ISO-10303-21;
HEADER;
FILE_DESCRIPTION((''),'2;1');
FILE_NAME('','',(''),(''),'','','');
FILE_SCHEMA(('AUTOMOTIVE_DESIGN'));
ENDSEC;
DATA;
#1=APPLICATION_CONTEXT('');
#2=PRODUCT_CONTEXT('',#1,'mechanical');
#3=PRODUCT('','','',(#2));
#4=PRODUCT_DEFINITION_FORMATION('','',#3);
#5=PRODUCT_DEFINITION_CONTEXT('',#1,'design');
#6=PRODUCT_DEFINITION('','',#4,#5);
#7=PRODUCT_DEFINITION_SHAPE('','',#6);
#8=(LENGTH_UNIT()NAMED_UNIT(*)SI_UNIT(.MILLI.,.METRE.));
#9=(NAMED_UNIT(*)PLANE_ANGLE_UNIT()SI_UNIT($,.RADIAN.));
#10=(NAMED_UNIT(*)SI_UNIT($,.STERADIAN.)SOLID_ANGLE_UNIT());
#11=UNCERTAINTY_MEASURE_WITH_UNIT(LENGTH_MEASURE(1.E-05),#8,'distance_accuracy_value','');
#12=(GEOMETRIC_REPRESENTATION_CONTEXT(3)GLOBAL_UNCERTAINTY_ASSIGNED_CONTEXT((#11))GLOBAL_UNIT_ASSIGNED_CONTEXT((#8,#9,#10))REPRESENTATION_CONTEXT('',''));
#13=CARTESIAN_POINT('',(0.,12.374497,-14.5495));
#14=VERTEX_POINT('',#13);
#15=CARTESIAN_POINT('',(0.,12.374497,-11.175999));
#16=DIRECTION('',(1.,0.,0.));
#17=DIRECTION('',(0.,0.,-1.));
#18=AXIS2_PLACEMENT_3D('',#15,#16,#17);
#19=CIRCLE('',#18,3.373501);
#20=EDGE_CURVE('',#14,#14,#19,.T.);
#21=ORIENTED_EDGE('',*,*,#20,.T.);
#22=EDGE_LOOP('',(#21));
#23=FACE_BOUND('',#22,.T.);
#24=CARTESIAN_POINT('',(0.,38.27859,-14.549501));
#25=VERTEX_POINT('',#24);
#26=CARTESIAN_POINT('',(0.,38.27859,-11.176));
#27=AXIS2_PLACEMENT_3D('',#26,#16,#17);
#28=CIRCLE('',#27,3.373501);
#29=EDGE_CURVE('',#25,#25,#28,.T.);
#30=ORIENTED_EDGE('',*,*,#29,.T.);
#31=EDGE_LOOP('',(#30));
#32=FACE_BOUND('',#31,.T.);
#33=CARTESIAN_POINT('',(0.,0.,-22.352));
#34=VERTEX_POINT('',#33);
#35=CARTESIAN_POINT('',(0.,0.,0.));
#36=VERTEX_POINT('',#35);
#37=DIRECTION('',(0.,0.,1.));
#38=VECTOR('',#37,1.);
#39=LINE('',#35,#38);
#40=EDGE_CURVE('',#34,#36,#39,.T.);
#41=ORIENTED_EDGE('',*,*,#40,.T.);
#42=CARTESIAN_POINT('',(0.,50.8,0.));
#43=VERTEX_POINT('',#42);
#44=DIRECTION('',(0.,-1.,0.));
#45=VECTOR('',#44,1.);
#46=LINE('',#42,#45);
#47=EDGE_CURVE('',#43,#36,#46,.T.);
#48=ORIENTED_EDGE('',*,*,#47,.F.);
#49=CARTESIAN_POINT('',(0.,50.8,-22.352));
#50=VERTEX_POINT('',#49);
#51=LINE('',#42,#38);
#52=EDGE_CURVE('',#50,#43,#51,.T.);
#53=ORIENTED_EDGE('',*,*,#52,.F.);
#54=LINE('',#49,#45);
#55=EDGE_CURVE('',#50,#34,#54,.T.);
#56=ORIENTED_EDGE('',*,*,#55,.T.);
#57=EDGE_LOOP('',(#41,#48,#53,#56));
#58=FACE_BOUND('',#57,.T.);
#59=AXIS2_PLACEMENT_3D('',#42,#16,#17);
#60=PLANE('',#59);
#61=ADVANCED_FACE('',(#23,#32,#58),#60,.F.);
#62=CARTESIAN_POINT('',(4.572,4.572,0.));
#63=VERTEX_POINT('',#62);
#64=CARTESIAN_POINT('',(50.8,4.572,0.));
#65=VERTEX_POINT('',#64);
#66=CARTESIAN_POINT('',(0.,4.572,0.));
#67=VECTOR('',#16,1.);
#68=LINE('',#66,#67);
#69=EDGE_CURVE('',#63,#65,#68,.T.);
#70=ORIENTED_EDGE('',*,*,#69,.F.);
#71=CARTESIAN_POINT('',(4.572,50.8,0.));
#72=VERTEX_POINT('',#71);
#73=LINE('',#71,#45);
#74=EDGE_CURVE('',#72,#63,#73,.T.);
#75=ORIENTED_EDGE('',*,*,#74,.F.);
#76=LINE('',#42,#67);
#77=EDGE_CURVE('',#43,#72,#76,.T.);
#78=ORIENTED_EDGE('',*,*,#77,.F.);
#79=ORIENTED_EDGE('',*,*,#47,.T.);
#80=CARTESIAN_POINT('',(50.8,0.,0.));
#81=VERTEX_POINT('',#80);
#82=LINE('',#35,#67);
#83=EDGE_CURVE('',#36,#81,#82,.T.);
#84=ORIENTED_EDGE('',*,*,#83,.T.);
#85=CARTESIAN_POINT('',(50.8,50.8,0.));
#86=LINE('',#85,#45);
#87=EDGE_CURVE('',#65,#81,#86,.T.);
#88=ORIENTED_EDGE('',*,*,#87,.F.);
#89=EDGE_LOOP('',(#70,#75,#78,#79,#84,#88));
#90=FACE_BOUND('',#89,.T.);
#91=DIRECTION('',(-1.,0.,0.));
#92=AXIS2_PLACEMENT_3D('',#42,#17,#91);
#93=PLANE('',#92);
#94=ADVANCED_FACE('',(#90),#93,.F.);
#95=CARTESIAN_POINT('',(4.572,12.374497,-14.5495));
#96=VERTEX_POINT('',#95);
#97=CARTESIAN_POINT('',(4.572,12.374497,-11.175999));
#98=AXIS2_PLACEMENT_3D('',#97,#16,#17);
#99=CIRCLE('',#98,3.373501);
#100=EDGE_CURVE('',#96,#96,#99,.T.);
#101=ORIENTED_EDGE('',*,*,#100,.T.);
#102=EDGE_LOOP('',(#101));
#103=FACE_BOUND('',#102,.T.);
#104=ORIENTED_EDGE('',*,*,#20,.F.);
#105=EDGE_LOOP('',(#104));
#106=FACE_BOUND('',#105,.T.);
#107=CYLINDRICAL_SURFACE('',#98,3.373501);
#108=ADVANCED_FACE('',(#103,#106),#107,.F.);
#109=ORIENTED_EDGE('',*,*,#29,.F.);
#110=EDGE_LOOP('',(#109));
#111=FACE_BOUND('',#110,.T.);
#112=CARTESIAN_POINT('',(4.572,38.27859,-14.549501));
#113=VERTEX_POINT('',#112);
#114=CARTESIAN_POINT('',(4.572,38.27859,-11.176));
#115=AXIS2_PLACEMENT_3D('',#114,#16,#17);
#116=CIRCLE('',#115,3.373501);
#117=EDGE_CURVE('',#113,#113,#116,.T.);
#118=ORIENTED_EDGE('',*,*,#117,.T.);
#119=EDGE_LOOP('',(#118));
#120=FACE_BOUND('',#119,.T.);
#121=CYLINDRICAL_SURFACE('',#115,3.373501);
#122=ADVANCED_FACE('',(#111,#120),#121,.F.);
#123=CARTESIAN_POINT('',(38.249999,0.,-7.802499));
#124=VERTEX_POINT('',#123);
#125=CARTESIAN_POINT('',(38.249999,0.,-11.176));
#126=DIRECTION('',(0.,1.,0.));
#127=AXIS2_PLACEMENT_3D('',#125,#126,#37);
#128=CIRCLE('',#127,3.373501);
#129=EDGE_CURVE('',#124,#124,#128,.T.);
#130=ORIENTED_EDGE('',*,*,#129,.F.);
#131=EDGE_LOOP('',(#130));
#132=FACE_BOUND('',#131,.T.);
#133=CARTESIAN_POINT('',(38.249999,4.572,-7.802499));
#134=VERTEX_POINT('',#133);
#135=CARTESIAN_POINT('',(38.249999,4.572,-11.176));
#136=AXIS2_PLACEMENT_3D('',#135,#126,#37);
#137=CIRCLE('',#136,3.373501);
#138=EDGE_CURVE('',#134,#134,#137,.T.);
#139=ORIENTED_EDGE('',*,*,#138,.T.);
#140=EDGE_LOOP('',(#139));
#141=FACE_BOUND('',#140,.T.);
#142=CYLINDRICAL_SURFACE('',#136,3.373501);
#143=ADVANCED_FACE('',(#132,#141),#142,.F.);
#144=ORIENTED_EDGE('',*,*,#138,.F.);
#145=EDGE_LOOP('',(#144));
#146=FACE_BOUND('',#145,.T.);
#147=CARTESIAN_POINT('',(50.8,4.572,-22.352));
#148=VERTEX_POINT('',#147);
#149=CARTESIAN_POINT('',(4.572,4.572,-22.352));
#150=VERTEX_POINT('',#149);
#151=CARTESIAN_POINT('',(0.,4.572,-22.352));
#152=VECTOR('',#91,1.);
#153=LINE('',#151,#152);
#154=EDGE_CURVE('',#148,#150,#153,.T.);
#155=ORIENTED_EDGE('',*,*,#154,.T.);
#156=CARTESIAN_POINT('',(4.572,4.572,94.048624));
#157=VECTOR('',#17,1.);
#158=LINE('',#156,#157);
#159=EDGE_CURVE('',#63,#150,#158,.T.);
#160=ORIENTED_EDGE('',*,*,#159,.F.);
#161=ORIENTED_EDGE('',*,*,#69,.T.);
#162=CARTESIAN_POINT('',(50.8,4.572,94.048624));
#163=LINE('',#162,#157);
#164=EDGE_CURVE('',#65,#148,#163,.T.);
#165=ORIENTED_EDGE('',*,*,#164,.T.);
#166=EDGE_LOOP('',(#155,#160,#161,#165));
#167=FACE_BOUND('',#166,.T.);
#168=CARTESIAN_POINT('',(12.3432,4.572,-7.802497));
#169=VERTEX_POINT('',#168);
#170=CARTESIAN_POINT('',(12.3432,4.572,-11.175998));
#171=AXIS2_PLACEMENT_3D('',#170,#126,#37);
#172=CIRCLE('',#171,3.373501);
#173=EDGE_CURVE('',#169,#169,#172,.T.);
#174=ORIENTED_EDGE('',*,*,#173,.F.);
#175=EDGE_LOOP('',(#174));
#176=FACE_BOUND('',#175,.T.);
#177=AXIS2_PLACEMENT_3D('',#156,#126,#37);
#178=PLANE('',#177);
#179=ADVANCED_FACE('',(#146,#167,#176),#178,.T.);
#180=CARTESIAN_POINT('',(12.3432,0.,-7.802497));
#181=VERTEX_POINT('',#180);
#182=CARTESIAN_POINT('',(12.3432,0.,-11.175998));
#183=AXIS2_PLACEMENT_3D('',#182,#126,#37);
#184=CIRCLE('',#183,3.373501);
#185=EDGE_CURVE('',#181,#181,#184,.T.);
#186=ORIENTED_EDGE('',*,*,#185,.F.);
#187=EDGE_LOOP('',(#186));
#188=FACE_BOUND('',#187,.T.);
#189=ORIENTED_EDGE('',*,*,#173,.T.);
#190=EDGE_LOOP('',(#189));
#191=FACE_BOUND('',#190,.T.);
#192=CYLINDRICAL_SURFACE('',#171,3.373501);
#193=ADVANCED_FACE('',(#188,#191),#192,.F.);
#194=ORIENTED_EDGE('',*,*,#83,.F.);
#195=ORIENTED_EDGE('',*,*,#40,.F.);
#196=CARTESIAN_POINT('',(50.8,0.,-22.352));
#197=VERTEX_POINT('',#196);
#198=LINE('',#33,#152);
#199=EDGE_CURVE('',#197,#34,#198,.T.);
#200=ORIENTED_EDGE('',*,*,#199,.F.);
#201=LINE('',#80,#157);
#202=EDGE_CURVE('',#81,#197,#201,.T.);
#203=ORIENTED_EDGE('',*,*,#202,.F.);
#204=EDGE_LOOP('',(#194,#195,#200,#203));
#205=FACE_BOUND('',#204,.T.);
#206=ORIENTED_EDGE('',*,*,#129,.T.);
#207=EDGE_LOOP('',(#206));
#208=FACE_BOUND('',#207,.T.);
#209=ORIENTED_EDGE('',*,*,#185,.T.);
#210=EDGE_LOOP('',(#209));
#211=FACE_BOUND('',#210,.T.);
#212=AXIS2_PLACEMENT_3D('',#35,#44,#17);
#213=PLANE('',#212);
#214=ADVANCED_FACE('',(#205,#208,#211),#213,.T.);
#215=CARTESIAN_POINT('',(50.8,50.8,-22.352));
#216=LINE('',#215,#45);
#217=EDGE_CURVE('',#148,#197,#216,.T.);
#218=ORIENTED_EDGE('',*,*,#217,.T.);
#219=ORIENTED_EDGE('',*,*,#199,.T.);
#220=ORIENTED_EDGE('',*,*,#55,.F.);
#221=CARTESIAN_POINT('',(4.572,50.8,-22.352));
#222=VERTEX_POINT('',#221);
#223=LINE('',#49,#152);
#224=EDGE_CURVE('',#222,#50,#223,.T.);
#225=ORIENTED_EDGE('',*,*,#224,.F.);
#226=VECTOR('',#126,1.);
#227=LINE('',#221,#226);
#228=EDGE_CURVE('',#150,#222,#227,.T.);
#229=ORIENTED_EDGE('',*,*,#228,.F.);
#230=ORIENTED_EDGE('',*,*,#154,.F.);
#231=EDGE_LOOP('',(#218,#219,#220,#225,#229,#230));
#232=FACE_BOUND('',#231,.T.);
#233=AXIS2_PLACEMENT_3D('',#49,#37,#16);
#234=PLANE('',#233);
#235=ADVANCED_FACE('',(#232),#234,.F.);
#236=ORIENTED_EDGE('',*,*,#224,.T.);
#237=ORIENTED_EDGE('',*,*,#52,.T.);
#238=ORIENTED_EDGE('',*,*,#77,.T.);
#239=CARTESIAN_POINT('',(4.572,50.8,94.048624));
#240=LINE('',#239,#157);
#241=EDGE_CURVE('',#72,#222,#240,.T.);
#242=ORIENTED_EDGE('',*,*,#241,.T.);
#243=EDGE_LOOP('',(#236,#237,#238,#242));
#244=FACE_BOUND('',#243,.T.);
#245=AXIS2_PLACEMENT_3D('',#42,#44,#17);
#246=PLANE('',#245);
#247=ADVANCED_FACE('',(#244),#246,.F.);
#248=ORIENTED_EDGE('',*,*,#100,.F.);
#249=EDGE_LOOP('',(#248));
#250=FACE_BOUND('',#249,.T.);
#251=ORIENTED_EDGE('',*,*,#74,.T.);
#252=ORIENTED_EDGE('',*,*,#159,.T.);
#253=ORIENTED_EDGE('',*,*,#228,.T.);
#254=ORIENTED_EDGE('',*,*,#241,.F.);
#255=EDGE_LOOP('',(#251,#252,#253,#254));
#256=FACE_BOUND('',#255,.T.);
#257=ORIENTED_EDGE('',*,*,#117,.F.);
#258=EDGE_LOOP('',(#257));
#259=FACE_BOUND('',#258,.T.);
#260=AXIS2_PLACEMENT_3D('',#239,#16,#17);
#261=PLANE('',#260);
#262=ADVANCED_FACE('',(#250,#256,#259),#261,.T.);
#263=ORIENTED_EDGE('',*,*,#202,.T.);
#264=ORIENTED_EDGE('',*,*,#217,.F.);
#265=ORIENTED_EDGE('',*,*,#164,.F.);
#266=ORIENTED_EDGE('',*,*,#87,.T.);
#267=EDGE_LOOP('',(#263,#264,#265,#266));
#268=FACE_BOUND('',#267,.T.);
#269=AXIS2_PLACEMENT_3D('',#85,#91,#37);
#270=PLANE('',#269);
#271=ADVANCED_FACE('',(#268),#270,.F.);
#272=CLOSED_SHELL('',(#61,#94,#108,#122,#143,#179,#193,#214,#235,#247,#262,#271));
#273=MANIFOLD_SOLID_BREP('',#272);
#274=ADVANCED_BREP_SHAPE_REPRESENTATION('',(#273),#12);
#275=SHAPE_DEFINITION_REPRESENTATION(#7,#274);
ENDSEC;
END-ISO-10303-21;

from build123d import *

# Parameters (mm, degrees)
SKETCH1_W                                  = 50.8
SKETCH1_H                                  = 22.352
BOSS_EXTRUDE1_DEPTH                        = 50.8
CUT_EXTRUDE2_DEPTH                         = 76.238898876
CUT_EXTRUDE2_DEPTH_BACK                    = 76.238898876
F_17_64_0_26563_DIAMETER_HOLE1_D           = 6.747002
F_17_64_0_26563_DIAMETER_HOLE1_ON_FACE_2_D = 6.747002


with BuildPart() as part:
    # Sketch1 → Boss-Extrude1 (new body)
    with BuildSketch(Plane(origin=(0, 0, 0), x_dir=(1, 0, 0), z_dir=(0, 1, 0))):
        with Locations((25.4, 11.176)):
            Rectangle(SKETCH1_W, SKETCH1_H)
    extrude(amount=BOSS_EXTRUDE1_DEPTH)

    # Sketch2 → Cut-Extrude2 (cut, two sides: drawn at the far end of the back side and taken through both)
    with BuildSketch(Plane.XY.offset(-CUT_EXTRUDE2_DEPTH_BACK)):
        Polygon((4.572, 198.1705643), (4.572, 50.8), (4.572, 4.572), (50.8, 4.572), (198.1705643, 4.572), (406.584015027, 212.985450727), (212.985450727, 406.584015027), align=None)
    extrude(amount=CUT_EXTRUDE2_DEPTH + CUT_EXTRUDE2_DEPTH_BACK, mode=Mode.SUBTRACT)

    # 17/64 (0.26563) Diameter Hole1 (through all)
    with Locations(Plane(origin=(4.572, 12.374496691, -11.175999046), x_dir=(0, 0, 1), z_dir=(1, 0, 0))):
        with Locations((0, 0), (-9.54e-07, -25.904093129)):
            Hole(F_17_64_0_26563_DIAMETER_HOLE1_D / 2)

    # 17/64 (0.26563) Diameter Hole1 on face 2 (through all)
    with Locations(Plane(origin=(12.343199837, 4.572, -11.175998262), x_dir=(0, 0, 1), z_dir=(0, 1, 0))):
        with Locations((0, 0), (-1.738e-06, 25.906798937)):
            Hole(F_17_64_0_26563_DIAMETER_HOLE1_ON_FACE_2_D / 2)


solid = part.part
